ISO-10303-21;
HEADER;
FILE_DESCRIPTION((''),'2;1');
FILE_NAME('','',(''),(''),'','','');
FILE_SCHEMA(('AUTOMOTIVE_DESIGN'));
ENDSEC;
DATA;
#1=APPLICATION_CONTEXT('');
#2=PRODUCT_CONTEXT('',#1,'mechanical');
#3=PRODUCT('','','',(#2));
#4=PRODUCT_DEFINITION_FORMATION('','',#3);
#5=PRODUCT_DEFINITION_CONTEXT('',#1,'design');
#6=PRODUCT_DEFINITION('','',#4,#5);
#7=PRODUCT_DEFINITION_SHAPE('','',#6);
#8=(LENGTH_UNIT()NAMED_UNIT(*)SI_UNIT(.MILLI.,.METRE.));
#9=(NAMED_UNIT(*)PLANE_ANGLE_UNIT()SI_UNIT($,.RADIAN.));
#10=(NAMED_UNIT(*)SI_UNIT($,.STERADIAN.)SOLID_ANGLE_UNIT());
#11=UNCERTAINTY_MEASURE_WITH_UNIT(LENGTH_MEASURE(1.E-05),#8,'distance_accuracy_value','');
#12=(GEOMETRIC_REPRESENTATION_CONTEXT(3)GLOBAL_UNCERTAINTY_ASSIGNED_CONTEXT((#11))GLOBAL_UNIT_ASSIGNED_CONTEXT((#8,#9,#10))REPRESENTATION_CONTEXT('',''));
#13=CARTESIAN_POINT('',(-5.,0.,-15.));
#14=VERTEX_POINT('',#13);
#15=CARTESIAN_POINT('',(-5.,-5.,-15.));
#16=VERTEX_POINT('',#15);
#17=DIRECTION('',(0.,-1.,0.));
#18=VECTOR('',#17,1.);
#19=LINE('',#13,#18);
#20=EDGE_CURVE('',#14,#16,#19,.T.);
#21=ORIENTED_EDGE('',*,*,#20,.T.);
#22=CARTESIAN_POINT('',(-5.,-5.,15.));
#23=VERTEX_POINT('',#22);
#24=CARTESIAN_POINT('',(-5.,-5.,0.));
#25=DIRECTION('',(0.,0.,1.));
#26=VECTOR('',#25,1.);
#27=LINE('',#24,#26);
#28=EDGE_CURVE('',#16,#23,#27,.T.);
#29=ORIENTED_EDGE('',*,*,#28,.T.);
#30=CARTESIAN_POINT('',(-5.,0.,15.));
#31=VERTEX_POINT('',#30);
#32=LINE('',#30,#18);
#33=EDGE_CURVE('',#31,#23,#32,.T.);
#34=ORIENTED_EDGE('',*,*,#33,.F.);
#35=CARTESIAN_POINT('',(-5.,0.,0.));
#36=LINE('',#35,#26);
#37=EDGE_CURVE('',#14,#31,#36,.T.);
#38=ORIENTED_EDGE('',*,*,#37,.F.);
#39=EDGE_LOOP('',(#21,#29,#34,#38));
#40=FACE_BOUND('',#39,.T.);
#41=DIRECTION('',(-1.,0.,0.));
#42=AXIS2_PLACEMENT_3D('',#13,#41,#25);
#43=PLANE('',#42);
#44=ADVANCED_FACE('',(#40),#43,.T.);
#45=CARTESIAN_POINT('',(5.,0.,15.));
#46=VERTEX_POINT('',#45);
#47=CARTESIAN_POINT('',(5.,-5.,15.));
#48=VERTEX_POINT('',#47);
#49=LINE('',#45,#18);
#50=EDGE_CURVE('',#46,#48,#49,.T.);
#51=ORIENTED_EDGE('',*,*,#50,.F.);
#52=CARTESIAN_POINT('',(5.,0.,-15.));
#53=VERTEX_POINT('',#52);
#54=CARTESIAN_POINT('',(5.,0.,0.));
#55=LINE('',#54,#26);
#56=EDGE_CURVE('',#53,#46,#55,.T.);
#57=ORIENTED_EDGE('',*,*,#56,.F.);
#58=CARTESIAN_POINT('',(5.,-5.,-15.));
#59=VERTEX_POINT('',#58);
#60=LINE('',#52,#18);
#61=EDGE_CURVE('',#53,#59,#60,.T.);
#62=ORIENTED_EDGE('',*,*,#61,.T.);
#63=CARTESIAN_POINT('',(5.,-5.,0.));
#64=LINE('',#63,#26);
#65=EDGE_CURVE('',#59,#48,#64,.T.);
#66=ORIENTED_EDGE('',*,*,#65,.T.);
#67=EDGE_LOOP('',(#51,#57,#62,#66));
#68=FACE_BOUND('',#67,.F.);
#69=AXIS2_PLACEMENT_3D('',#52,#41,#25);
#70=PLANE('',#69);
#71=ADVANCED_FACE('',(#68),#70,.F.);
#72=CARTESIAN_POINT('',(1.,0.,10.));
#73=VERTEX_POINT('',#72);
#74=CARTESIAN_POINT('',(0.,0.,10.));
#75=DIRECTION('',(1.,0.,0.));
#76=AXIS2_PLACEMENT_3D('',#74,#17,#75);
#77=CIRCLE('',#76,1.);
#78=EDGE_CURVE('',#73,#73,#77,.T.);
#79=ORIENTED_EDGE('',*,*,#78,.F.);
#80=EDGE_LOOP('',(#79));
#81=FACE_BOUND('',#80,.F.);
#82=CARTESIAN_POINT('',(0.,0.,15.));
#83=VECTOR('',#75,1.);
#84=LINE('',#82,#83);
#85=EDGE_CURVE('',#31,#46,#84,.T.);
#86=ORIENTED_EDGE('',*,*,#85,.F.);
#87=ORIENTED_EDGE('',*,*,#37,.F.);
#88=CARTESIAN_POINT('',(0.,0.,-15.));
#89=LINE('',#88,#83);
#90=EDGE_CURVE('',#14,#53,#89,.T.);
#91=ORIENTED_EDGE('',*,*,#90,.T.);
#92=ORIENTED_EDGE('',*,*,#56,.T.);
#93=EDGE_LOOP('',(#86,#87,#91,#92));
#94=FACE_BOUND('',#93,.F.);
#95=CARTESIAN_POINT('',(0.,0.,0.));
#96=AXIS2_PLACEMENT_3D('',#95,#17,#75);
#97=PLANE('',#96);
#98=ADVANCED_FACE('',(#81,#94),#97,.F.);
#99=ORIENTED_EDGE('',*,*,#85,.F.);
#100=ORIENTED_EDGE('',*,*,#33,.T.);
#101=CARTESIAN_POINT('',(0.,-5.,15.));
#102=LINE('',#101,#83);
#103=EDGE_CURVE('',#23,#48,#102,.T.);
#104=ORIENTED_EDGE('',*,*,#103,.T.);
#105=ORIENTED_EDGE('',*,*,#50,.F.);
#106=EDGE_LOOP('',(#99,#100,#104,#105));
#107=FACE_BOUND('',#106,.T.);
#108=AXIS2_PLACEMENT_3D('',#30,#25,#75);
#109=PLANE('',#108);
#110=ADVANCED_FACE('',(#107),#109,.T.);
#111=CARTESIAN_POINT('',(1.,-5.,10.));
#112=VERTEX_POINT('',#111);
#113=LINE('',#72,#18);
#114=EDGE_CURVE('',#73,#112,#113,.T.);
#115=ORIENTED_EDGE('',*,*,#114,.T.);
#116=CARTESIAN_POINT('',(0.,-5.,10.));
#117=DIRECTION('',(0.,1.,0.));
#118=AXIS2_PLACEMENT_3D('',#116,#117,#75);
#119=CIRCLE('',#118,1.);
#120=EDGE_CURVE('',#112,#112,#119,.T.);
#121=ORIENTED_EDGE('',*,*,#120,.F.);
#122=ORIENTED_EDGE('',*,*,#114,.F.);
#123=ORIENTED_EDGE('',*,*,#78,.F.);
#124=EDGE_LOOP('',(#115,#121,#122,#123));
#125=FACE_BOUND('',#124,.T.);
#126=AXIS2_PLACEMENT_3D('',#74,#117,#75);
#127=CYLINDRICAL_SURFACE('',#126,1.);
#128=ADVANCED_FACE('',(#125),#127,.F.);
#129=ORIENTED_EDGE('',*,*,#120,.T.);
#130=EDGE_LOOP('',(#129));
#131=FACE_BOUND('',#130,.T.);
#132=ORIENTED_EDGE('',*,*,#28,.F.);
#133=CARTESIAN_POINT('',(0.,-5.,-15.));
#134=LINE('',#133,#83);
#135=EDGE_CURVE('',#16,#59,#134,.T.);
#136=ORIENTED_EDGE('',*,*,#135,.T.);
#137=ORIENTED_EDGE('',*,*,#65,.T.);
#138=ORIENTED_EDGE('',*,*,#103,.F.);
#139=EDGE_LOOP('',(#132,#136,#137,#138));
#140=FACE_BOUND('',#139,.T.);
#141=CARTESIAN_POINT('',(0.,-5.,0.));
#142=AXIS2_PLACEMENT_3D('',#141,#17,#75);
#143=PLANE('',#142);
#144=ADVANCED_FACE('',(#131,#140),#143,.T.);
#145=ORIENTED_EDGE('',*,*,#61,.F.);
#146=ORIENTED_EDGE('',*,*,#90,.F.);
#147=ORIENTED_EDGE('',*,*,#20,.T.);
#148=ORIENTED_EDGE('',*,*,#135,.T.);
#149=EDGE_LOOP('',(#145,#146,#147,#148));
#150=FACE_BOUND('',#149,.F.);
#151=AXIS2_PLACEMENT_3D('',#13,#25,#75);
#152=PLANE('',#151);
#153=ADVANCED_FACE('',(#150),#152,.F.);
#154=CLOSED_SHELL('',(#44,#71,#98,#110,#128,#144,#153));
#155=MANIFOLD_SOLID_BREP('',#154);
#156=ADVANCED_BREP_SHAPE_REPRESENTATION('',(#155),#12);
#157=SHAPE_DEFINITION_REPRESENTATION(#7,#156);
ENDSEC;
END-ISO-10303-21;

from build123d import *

# Parameters (mm, degrees)
F0_W     = 10
F0_H     = 30
F1_DEPTH = 5
F2_R     = 1
F3_DEPTH = 10


with BuildPart() as f1:
    # F0 (on Front) → F1 (new body)
    with BuildSketch(Plane.XZ):
        Rectangle(F0_W, F0_H)
    extrude(amount=F1_DEPTH)

    # F2 (on Front) → F3 (cut)
    with BuildSketch(Plane.XZ):
        with Locations((0, 10)):
            Circle(F2_R)
    extrude(amount=F3_DEPTH, mode=Mode.SUBTRACT)


solid = f1.part
